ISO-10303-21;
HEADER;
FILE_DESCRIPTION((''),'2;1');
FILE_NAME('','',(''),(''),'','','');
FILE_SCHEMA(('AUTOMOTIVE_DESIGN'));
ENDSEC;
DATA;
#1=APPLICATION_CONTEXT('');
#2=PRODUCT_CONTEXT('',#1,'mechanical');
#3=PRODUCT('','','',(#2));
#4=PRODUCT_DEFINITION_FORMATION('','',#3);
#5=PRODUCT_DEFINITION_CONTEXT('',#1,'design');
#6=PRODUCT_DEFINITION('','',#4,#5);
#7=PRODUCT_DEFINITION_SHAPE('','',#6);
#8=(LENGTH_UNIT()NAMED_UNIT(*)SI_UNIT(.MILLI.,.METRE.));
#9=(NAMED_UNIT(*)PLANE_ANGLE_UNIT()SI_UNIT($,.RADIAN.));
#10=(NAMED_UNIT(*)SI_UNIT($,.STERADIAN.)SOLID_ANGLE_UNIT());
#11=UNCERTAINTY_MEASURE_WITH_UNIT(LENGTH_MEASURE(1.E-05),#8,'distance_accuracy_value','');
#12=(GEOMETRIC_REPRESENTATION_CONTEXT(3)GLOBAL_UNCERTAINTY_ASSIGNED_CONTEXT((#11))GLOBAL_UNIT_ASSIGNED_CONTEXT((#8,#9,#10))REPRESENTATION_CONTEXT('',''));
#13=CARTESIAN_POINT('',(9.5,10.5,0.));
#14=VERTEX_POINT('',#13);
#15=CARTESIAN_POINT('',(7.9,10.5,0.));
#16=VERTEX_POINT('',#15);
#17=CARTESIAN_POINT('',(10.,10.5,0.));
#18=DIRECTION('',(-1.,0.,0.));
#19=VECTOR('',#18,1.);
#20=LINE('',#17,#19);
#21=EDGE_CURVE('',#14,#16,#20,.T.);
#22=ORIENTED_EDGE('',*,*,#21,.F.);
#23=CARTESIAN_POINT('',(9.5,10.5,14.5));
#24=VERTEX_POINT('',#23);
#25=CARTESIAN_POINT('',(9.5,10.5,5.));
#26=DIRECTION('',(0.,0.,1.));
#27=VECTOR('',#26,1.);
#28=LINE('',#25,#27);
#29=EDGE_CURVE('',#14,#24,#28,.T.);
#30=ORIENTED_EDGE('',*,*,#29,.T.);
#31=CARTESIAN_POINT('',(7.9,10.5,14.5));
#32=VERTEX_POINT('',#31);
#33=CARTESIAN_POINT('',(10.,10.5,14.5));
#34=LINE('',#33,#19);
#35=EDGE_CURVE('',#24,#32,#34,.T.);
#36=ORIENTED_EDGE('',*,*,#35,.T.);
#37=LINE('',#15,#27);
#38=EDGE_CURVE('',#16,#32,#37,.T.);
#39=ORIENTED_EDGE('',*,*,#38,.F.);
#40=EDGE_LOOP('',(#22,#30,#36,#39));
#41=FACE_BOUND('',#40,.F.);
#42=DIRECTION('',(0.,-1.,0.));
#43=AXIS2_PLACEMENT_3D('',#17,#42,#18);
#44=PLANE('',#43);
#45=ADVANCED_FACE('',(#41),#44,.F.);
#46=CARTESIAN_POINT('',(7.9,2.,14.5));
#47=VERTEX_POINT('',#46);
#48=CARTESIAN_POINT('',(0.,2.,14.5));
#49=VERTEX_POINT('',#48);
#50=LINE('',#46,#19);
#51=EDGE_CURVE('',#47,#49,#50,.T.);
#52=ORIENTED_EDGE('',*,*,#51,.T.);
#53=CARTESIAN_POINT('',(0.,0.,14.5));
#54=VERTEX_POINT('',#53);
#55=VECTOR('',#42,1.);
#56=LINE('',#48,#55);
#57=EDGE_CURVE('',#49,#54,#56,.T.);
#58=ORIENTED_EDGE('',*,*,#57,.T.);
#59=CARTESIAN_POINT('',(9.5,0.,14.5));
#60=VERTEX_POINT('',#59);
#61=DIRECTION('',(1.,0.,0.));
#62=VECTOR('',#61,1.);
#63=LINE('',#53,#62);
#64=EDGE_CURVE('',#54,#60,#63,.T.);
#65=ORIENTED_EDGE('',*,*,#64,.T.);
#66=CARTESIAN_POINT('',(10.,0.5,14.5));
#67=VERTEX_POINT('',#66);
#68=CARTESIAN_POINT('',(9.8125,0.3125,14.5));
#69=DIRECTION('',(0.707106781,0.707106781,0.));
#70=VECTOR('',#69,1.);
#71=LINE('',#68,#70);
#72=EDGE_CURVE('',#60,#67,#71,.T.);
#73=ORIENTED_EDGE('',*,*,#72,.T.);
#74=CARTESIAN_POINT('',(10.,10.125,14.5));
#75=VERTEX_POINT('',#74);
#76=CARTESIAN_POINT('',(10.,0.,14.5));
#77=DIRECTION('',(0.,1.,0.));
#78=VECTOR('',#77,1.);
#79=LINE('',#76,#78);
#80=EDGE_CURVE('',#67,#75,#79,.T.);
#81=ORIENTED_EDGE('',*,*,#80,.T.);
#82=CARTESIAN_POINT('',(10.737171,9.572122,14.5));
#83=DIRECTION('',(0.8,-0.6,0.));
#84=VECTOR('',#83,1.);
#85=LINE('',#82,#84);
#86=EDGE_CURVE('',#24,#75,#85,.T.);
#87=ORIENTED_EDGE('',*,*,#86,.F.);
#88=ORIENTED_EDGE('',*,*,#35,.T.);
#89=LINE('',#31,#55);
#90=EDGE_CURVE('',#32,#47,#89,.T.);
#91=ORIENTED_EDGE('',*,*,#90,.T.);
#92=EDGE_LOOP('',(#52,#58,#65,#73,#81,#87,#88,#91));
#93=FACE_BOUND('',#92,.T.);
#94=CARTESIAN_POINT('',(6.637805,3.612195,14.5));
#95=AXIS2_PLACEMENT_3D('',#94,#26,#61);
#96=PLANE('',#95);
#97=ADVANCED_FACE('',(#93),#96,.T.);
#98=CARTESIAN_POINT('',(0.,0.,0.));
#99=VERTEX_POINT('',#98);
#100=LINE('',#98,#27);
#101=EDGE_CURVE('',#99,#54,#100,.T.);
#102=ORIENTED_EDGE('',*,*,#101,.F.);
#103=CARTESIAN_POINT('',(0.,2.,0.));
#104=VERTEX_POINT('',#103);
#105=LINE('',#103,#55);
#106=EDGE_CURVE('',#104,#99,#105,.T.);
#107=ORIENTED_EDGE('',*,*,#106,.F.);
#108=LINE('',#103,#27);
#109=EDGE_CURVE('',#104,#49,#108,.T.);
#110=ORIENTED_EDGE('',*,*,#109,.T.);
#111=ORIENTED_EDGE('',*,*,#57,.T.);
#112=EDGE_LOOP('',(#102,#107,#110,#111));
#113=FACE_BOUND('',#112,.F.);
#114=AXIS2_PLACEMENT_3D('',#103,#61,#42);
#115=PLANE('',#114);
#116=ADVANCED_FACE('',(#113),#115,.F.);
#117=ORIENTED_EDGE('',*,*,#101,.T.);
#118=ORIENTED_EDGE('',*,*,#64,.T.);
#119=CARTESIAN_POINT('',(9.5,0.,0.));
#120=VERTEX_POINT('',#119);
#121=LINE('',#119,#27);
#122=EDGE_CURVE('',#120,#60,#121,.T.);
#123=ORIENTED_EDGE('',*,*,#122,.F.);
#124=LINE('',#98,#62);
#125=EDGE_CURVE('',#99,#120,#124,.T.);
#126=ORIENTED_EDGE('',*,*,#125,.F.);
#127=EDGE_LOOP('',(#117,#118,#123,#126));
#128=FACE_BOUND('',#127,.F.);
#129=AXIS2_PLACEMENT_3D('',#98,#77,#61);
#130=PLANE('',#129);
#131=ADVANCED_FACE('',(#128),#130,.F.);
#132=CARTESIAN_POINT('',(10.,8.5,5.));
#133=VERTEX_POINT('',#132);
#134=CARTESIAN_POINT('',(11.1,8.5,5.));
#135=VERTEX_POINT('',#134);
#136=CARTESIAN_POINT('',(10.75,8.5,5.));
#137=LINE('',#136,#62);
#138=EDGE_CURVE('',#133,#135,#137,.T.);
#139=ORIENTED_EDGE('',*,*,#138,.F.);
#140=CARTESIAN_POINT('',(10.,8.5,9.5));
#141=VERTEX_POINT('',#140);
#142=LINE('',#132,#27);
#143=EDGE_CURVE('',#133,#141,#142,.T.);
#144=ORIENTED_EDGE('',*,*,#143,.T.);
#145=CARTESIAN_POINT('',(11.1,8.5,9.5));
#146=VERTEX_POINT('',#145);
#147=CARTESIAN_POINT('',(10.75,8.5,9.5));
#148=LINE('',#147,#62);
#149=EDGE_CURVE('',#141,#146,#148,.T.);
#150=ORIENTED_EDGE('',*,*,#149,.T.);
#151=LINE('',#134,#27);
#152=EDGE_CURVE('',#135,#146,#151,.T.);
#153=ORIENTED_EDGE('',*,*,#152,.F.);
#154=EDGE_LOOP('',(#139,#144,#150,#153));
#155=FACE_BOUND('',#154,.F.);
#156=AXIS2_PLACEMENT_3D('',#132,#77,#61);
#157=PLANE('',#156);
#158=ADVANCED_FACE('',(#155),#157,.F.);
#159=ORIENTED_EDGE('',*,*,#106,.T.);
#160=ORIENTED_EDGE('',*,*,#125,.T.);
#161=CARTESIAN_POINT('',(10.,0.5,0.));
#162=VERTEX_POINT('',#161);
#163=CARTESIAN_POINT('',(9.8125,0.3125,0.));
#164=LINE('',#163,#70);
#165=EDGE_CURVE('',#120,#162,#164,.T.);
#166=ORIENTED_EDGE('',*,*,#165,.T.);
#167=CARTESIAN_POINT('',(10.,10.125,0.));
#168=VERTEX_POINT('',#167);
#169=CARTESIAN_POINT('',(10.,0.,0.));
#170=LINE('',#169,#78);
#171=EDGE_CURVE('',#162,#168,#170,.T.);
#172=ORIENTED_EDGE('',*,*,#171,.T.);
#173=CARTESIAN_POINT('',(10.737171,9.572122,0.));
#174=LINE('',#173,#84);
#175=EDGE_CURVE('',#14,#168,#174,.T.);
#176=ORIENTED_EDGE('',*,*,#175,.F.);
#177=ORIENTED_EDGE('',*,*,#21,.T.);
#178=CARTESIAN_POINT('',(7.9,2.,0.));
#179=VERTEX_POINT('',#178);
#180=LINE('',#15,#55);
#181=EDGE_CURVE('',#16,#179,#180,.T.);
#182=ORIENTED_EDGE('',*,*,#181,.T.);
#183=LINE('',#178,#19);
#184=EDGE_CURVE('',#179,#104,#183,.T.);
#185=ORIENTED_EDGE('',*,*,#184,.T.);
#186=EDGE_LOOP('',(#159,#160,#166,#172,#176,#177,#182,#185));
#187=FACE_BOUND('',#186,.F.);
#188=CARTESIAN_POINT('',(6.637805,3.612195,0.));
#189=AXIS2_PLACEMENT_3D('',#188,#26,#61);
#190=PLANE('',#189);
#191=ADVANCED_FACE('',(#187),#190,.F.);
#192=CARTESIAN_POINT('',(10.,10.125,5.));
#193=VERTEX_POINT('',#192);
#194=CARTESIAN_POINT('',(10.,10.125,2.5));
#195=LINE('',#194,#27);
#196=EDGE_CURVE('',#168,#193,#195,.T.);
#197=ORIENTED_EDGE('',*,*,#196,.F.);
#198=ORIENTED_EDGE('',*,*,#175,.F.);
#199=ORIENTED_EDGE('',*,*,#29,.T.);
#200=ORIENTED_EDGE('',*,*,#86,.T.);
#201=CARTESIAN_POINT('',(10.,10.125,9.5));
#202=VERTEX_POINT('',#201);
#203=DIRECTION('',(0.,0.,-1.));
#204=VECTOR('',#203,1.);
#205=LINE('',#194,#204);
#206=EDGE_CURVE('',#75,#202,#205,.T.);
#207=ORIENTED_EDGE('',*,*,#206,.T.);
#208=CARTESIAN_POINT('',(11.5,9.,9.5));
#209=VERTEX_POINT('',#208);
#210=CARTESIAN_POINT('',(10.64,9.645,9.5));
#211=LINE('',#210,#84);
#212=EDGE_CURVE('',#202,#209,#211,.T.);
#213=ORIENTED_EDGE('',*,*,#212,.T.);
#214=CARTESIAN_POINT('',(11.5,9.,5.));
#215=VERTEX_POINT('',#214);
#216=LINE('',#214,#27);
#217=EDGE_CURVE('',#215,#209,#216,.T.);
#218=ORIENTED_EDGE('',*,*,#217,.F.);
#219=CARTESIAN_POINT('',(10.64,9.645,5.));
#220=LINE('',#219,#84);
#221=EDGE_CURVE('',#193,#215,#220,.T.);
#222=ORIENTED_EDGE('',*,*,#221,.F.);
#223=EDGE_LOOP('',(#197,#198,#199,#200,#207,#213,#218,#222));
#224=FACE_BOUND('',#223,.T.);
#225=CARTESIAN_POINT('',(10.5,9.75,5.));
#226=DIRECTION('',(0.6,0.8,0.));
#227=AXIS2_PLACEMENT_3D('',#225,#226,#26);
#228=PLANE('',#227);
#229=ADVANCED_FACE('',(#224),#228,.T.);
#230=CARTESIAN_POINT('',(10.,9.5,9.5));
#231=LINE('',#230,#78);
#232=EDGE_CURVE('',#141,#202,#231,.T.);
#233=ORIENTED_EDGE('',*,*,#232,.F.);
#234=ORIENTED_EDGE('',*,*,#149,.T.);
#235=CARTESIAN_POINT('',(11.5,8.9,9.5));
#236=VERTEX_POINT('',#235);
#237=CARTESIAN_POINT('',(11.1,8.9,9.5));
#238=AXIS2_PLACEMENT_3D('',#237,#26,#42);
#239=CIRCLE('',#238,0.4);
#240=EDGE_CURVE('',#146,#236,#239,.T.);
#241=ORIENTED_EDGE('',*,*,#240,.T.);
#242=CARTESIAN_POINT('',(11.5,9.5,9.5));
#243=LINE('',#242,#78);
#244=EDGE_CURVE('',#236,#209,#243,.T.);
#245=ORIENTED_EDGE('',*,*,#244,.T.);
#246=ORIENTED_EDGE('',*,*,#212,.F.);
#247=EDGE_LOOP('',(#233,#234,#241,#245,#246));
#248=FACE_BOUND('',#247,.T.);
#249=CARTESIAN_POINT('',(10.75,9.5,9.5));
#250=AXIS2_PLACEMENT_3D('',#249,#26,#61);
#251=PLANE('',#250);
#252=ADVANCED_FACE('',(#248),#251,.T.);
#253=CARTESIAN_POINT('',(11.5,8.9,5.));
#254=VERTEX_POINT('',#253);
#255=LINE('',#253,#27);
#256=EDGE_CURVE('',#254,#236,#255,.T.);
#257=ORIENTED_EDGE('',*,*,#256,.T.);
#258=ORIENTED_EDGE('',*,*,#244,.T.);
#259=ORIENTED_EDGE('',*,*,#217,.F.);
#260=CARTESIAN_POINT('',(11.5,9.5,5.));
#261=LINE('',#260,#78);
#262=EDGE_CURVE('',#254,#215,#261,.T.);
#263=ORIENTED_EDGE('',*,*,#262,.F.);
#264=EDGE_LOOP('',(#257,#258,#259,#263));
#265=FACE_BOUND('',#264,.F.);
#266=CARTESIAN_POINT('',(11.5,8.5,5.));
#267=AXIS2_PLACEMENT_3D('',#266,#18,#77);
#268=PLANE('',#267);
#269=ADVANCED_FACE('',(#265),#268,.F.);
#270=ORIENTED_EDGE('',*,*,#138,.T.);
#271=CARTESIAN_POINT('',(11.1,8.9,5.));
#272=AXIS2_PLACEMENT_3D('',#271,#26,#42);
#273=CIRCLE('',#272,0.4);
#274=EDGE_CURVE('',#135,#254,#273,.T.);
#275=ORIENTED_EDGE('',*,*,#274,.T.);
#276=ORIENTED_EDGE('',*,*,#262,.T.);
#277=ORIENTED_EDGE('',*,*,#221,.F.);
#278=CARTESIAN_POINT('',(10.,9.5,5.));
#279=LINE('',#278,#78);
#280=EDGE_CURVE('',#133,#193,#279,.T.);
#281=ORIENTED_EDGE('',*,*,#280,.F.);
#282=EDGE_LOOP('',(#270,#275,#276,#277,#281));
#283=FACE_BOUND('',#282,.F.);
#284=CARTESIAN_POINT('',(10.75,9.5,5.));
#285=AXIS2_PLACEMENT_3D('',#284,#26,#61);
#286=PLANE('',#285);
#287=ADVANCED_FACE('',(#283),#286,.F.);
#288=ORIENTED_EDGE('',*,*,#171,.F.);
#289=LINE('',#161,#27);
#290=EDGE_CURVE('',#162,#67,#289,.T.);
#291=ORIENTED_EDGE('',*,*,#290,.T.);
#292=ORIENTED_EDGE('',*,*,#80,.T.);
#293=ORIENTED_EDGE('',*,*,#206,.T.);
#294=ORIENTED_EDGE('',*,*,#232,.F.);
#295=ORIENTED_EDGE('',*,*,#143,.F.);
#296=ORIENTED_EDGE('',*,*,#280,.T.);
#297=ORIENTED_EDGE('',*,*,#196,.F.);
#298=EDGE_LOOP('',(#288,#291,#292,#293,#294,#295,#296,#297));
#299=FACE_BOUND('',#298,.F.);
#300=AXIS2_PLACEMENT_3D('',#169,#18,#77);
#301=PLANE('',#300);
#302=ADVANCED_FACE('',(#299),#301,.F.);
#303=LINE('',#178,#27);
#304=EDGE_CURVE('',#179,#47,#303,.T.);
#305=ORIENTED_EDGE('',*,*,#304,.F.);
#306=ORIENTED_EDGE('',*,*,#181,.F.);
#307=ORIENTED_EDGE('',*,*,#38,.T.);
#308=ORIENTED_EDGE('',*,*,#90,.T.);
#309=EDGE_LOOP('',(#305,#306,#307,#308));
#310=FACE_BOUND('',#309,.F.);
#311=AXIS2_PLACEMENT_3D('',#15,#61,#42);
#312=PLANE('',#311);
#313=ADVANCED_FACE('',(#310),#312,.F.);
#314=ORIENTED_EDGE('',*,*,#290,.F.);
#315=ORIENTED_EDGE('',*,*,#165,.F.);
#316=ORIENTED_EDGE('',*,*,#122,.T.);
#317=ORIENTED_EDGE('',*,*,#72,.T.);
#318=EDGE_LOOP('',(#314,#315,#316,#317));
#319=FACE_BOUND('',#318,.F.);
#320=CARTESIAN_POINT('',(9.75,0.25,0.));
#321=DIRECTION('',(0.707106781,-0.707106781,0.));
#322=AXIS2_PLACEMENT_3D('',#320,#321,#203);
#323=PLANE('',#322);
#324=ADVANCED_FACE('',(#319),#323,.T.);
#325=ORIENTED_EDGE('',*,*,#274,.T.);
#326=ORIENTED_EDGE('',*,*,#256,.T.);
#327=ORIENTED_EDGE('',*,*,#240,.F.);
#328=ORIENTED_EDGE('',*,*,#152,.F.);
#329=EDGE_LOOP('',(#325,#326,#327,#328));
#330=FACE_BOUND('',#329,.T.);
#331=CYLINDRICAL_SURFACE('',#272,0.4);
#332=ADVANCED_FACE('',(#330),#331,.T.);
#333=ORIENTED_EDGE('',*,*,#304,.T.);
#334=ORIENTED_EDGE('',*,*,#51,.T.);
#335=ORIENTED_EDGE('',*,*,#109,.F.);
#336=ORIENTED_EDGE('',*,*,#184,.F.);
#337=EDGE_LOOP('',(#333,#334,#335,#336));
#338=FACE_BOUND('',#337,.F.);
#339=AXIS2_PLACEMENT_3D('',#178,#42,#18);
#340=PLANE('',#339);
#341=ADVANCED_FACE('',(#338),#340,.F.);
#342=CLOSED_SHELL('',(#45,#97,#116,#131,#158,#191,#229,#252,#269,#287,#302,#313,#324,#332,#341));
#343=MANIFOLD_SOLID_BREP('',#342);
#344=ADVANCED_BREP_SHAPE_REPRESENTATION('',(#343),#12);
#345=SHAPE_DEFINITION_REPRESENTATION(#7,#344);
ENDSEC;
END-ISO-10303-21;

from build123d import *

# Parameters (mm, degrees)
F1_DEPTH = 14.5
F2_START = 5
F0_W     = 1.5
F0_H     = 2
F2_DEPTH = 4.5
F3_SIZE  = 0.5
F4_SIZE2 = 1.5
F4_SIZE  = 2
F5_R     = 0.4


with BuildPart() as f1:
    # F0 (on Top) → F1 (new body)
    with BuildSketch(Plane.XY):
        Polygon((0, 2), (0, 0), (10, 0), (10, 8.5), (10, 10.5), (7.9, 10.5), (7.9, 2), align=None)
    extrude(amount=F1_DEPTH)

    # F0 (on Top) → F2 (join)
    with BuildSketch(Plane.XY.offset(F2_START)):
        with Locations((10.75, 9.5)):
            Rectangle(F0_W, F0_H)
    extrude(amount=F2_DEPTH)

    # F3
    f3_edges = [f1.edges().sort_by_distance(p)[0] for p in [
        (10, 0, 7.25),
    ]]
    chamfer(f3_edges, length=F3_SIZE)

    # F4
    f4_edges = [f1.edges().sort_by_distance(p)[0] for p in [
        (11.5, 10.5, 7.25),
    ]]
    f4_side = f1.faces().sort_by_distance((9.276613, 10.5, 7.25))[0]
    chamfer(f4_edges, length=F4_SIZE, length2=F4_SIZE2, reference=f4_side)

    # F5
    f5_edges = [f1.edges().sort_by_distance(p)[0] for p in [
        (11.5, 8.5, 7.25),
    ]]
    fillet(f5_edges, radius=F5_R)


solid = f1.part
